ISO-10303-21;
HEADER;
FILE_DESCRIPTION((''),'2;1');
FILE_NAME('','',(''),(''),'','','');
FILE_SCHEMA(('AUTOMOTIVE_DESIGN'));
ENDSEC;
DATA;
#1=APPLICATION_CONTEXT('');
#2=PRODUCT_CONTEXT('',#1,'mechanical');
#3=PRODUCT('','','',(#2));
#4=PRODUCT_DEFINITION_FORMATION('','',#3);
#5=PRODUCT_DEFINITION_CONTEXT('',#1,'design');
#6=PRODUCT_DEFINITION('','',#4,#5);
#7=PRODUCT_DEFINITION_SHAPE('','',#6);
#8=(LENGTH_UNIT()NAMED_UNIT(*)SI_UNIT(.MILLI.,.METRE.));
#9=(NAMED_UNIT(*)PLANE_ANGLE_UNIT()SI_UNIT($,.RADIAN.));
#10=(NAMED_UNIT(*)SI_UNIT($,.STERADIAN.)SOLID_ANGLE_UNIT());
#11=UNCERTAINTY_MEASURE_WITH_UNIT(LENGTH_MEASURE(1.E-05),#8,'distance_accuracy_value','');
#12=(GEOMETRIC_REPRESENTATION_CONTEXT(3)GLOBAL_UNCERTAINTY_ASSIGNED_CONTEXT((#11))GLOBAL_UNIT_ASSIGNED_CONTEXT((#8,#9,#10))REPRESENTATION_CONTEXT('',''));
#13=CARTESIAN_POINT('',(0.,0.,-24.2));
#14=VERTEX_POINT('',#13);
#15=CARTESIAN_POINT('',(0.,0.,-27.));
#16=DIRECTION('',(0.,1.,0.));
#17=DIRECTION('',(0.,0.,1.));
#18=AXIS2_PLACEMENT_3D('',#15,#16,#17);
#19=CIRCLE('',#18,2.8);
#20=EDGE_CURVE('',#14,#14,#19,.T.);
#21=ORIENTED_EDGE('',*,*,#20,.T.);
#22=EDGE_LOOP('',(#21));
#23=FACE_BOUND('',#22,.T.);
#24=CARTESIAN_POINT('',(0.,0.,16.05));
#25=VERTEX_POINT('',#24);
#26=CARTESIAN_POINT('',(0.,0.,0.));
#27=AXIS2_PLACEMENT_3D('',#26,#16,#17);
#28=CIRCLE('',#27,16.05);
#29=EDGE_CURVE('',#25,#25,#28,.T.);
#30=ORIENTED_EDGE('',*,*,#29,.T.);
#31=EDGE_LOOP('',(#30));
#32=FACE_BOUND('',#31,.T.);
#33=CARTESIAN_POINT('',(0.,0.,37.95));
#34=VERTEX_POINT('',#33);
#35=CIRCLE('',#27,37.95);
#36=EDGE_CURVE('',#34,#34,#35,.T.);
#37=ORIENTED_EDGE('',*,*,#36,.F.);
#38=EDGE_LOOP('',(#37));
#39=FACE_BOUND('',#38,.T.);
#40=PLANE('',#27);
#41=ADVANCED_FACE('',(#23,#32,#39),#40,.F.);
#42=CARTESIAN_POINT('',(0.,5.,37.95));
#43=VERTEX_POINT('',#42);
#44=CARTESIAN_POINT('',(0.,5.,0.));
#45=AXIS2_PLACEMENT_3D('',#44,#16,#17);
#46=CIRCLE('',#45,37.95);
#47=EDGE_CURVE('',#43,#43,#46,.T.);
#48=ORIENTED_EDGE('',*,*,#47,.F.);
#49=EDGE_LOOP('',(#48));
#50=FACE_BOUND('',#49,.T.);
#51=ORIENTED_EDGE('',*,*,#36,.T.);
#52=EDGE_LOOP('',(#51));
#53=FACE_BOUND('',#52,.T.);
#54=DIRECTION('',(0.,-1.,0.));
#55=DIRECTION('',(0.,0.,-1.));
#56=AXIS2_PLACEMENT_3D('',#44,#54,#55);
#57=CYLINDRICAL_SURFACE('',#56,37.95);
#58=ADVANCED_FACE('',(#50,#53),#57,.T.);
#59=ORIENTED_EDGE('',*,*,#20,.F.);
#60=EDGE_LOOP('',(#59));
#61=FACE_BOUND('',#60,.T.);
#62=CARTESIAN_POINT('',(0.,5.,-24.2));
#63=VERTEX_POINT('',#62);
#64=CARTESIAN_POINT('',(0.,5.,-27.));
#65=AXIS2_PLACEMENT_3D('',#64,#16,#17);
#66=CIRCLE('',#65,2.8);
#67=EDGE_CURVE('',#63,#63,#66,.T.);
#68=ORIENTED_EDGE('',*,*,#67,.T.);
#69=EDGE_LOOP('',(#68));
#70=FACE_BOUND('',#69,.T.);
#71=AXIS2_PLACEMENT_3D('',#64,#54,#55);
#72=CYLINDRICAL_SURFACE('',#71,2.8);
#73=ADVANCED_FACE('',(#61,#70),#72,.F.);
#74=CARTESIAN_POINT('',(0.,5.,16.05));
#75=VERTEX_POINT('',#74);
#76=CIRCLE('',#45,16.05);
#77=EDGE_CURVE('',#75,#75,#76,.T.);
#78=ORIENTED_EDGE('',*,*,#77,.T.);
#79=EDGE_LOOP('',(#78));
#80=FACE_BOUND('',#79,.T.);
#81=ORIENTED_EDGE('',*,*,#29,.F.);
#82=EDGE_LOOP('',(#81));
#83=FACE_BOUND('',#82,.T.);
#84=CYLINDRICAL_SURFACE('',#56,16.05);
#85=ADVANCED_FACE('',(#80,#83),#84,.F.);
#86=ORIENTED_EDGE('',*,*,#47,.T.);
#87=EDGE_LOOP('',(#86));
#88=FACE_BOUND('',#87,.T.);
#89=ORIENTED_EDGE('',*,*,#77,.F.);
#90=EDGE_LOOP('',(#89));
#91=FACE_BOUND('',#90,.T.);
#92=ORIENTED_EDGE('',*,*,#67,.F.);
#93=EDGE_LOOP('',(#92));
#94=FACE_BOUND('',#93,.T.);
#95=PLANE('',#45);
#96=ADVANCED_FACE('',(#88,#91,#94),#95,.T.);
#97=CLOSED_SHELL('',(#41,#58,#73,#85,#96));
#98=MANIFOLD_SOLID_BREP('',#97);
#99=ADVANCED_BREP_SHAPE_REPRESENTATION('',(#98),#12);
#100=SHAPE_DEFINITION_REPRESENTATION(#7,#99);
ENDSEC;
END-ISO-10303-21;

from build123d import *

# Parameters (mm, degrees)
SKETCH1_R           = 37.95
SKETCH1_R_2         = 16.05
SKETCH1_R_3         = 2.8
BOSS_EXTRUDE1_DEPTH = 5


with BuildPart() as part:
    # Sketch1 → Boss-Extrude1 (new body)
    with BuildSketch(Plane(origin=(0, 0, 0), x_dir=(1, 0, 0), z_dir=(0, 1, 0))):
        with Locations(Location((0, 0, 0), (0, 0, 270))):
            Circle(SKETCH1_R)
        with Locations(Location((0, 0, 0), (0, 0, 270))):
            Circle(SKETCH1_R_2, mode=Mode.SUBTRACT)
        with Locations(Location((0, 27, 0), (0, 0, 270))):
            Circle(SKETCH1_R_3, mode=Mode.SUBTRACT)
    extrude(amount=BOSS_EXTRUDE1_DEPTH)


solid = part.part
